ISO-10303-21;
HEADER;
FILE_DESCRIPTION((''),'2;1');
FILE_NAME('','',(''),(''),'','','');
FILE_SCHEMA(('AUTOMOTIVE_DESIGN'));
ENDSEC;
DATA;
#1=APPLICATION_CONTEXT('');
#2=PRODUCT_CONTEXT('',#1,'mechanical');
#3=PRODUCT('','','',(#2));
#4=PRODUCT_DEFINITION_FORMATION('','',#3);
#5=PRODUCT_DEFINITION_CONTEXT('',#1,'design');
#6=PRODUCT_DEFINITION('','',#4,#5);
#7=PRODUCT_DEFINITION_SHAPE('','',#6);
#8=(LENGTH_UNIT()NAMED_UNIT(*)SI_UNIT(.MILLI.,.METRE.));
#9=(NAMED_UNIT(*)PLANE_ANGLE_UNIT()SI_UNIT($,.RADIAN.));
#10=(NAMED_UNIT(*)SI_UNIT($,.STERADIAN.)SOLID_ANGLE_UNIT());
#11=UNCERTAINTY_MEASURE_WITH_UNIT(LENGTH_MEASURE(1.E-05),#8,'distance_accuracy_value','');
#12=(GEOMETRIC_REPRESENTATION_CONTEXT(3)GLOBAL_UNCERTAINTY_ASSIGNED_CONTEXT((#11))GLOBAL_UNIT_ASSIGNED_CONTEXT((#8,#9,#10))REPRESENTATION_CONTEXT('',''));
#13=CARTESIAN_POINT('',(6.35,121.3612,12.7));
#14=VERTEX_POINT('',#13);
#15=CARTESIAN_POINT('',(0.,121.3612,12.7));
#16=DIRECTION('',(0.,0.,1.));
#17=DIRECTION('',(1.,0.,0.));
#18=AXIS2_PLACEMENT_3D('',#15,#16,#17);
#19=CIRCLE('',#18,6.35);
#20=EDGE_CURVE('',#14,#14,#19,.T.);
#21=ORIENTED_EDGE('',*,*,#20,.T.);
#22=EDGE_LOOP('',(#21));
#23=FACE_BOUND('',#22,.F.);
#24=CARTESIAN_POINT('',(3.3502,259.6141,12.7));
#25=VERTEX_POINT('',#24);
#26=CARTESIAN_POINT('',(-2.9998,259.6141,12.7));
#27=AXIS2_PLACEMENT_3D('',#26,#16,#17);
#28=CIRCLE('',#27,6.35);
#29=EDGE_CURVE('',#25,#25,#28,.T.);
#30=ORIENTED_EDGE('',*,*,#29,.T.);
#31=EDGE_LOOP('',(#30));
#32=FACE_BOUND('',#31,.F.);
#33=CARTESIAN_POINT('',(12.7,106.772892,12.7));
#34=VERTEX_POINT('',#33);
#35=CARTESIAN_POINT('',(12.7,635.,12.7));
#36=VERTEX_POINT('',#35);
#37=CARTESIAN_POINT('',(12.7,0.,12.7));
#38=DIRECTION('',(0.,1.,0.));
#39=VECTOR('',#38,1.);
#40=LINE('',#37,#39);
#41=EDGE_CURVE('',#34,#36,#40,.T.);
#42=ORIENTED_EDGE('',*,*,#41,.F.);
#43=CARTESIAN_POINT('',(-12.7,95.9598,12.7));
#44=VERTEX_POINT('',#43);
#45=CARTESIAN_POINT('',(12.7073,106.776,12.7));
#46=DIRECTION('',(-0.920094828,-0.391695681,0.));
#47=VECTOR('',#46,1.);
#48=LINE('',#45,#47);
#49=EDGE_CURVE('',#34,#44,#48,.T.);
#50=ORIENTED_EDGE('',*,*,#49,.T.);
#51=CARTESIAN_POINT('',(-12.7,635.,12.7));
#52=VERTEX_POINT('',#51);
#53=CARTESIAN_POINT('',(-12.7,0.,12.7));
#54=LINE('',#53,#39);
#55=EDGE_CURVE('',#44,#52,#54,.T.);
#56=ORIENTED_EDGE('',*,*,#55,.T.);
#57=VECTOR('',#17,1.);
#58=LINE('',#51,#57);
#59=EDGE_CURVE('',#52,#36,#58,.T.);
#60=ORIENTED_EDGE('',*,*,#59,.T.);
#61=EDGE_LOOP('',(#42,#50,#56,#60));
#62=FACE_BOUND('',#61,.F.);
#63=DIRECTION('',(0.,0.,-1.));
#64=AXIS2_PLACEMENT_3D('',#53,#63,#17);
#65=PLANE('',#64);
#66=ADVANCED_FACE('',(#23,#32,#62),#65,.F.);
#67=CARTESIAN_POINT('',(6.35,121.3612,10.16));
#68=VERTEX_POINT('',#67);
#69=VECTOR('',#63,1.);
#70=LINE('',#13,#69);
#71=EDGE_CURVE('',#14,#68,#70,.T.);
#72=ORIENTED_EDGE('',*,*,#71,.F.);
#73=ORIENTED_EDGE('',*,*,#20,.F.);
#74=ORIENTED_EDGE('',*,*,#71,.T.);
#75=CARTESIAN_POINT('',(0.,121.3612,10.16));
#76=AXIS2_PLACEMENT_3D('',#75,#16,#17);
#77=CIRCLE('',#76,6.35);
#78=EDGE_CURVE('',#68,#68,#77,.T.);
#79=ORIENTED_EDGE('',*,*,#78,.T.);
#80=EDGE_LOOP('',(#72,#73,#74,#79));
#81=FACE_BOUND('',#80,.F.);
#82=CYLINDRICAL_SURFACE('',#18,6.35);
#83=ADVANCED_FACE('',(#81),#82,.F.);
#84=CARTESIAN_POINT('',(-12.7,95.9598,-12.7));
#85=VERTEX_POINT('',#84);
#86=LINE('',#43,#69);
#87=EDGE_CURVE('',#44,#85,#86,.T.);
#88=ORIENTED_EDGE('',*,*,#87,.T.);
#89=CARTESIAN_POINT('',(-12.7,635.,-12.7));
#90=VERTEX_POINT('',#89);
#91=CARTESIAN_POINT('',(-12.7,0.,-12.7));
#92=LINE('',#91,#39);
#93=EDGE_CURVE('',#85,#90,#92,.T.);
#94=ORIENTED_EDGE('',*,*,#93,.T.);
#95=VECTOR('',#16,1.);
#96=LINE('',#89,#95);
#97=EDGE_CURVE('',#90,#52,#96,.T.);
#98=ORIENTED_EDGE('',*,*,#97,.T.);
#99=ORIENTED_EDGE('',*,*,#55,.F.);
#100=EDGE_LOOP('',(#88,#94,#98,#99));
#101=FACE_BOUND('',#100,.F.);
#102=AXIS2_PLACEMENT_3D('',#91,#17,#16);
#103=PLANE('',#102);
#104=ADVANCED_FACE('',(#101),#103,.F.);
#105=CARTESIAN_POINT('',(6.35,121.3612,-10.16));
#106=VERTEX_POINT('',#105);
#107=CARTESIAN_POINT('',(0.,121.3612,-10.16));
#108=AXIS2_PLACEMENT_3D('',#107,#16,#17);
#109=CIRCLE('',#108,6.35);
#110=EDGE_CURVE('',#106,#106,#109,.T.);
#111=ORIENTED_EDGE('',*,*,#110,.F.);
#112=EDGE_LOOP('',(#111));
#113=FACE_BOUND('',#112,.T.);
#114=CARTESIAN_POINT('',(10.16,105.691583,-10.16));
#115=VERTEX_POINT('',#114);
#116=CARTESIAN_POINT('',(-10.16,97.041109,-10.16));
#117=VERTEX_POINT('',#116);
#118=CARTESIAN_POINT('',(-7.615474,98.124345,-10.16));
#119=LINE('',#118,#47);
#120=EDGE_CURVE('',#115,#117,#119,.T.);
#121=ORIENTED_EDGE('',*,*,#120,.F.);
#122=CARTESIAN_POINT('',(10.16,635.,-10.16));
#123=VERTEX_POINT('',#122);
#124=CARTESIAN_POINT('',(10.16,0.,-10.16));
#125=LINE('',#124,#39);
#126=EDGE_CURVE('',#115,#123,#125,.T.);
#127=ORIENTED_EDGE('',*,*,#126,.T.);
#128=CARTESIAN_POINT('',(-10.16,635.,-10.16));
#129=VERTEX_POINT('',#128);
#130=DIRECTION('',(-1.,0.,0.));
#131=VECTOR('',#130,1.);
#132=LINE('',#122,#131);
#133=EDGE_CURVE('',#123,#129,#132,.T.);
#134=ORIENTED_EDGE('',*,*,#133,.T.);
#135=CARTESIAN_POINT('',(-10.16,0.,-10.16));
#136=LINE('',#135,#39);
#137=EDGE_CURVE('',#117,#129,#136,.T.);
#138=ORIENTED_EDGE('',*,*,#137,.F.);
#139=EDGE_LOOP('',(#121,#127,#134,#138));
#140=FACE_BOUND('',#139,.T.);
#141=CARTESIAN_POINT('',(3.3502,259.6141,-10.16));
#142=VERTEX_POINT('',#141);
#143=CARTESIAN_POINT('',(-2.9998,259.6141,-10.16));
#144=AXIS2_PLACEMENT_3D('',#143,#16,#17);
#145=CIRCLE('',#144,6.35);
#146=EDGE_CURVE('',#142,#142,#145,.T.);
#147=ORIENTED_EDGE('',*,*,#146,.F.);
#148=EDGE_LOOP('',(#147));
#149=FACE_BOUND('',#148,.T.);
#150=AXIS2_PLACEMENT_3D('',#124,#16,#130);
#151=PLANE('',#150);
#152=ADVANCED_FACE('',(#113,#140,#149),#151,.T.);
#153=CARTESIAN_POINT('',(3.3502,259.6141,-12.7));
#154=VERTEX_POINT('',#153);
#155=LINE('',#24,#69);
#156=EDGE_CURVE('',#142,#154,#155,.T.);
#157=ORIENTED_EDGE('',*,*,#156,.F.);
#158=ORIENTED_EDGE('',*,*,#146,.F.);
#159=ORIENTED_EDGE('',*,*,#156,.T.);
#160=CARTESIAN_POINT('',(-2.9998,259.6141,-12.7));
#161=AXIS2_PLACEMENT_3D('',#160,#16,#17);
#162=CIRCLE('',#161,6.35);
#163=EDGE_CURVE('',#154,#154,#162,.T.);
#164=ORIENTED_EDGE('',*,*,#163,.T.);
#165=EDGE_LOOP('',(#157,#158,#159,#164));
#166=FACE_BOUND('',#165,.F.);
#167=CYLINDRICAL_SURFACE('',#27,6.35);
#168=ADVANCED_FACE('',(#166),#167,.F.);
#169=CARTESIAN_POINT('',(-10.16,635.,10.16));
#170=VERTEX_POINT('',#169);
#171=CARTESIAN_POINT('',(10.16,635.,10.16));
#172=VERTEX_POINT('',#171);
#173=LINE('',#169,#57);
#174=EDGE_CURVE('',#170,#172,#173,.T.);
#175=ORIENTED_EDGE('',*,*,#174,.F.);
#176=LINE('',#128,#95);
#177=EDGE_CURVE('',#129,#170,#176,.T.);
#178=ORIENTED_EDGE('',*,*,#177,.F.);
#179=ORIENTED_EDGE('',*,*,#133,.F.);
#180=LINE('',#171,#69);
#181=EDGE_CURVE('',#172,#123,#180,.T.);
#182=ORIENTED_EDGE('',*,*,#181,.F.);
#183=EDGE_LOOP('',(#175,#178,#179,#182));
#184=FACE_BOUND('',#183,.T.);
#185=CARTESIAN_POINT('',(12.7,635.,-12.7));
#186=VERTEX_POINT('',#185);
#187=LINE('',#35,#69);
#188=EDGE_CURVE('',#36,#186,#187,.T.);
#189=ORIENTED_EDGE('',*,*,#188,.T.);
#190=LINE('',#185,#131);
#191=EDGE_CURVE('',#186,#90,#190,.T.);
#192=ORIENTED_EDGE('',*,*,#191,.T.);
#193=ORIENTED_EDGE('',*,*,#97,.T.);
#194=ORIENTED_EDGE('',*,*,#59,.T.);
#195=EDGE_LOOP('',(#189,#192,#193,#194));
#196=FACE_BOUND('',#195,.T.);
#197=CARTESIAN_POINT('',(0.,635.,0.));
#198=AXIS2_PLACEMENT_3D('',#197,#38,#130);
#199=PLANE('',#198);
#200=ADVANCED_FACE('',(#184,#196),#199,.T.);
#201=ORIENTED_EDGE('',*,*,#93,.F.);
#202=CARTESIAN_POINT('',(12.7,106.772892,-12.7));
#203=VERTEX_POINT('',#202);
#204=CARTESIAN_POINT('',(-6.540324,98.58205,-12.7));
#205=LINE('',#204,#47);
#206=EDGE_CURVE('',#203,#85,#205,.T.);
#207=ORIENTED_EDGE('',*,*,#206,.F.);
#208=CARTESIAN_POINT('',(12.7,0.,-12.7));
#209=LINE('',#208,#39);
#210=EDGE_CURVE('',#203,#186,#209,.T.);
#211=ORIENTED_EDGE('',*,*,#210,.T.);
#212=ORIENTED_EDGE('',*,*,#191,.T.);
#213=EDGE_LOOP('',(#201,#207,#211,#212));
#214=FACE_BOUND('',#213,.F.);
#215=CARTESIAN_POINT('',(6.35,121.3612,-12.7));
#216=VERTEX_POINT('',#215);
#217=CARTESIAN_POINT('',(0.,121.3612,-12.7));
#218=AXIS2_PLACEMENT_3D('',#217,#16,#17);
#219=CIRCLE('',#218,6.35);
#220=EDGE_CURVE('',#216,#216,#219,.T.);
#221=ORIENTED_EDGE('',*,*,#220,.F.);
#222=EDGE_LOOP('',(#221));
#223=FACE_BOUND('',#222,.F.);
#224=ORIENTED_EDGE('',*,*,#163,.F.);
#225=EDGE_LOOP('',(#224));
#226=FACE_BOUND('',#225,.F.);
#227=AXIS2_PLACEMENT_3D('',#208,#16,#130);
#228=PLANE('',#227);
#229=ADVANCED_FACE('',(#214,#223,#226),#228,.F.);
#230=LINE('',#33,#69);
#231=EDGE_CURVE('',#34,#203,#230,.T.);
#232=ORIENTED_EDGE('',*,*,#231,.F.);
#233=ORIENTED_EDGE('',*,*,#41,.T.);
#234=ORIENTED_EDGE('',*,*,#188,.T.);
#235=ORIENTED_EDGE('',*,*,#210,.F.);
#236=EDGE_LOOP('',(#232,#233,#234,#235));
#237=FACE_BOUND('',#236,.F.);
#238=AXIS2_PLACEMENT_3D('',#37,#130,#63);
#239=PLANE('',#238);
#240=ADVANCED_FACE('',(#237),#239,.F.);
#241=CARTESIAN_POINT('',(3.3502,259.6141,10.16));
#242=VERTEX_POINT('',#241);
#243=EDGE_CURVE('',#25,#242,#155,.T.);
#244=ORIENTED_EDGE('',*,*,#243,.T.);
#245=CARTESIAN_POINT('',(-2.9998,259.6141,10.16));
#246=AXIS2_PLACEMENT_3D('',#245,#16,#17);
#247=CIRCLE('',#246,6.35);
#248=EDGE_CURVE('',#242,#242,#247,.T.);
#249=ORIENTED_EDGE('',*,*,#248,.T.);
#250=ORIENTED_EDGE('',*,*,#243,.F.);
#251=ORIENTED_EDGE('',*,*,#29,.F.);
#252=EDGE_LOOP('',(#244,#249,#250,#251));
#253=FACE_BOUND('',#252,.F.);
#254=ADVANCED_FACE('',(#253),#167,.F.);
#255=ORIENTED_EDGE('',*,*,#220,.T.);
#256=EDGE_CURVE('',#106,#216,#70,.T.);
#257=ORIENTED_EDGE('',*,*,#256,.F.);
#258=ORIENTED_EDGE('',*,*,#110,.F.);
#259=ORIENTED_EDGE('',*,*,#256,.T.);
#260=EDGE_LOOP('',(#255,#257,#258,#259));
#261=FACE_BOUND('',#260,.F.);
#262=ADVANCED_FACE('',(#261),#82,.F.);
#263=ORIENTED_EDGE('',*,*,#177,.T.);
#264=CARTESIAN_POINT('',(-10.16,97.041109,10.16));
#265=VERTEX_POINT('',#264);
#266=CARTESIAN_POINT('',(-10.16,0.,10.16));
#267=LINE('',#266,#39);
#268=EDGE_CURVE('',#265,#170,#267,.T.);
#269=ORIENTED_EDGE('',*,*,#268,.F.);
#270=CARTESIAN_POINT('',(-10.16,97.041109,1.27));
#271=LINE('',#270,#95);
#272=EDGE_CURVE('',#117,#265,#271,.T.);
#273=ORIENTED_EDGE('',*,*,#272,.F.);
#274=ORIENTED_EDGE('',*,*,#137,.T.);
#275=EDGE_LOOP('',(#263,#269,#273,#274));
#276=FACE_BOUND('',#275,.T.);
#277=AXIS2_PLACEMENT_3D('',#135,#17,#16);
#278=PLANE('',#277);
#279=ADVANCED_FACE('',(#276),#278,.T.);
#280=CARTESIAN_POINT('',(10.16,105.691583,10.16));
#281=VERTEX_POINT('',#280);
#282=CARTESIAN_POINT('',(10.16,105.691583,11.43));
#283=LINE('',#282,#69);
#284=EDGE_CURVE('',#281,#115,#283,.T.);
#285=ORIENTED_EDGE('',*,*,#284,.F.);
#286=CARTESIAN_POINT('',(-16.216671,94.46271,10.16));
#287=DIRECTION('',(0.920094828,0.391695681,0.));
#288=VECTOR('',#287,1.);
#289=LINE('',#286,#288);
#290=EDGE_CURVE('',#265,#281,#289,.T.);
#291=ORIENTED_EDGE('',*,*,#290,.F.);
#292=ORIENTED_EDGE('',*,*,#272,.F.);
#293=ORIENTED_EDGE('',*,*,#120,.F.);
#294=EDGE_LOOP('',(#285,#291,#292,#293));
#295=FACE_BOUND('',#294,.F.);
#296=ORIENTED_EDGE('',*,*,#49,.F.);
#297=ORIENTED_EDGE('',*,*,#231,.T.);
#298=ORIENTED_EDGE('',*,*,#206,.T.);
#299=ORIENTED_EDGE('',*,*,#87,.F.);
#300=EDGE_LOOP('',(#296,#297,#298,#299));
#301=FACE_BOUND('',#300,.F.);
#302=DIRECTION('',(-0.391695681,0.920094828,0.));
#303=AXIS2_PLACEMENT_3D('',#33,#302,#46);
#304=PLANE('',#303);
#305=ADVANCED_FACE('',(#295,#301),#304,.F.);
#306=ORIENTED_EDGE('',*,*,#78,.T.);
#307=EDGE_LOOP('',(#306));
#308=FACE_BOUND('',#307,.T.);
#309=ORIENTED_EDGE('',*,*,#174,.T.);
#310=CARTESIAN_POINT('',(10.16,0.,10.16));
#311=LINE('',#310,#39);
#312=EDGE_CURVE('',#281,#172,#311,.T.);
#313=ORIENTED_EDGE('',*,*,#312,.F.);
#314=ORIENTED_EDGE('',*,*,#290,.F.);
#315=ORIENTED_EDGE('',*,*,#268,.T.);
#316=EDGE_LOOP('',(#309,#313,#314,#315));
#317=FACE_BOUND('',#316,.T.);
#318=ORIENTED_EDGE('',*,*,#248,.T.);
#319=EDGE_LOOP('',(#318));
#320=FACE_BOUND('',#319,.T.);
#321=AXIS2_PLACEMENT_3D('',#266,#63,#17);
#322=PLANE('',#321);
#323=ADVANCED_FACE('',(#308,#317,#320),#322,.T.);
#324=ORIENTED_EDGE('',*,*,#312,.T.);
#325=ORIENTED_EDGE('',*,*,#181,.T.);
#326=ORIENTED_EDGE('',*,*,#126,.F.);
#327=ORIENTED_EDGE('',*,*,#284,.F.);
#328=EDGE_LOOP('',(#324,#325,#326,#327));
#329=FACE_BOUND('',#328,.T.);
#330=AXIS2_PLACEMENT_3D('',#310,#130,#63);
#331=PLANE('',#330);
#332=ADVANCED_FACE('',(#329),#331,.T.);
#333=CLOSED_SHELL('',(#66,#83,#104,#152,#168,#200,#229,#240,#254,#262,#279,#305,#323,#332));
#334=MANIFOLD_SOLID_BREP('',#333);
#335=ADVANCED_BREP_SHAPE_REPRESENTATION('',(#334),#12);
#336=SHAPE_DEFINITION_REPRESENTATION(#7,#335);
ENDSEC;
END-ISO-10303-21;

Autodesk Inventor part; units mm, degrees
ref_plane "YZ Plane" through (0, 0, 0) normal (1, 0, 0) x (0, 1, 0)
ref_plane "XZ Plane" through (0, 0, 0) normal (0, 1, 0) x (-1, 0, 0)
ref_plane "XY Plane" through (0, 0, 0) normal (0, 0, 1) x (1, 0, 0)
sketch "Sketch1" plane through (0, 0, 0) normal (0, 1, 0) x (-1, 0, 0)
  line L0 (12.7, 12.7) -> (-12.7, 12.7)
  line L1 (-12.7, 12.7) -> (-12.7, -12.7)
  line L2 (-12.7, -12.7) -> (12.7, -12.7)
  line L3 (12.7, -12.7) -> (12.7, 12.7)
  line L4 (12.7, 12.7) -> (-12.7, -12.7) construction
  line L5 (-12.7, 12.7) -> (12.7, -12.7) construction
  line L6 (10.16, 10.16) -> (-10.16, 10.16)
  line L7 (-10.16, 10.16) -> (-10.16, -10.16)
  line L8 (-10.16, -10.16) -> (10.16, -10.16)
  line L9 (10.16, -10.16) -> (10.16, 10.16)
  point P0 (0, 0)
  dimension "d0" = 25.4
  dimension "d1" = 25.4
  dimension "d2" = 2.54
extrude "Extrusion1" add sketch "Sketch1" along normal blind 635
sketch "Sketch2" plane through (-12.7, 0, 12.7) normal (0, 0, 1) x (1, 0, 0)
  line L0 (-200.1642, 538.812) -> (-221.8597, 525.6033) construction
  line L1 (-221.8597, 525.6033) -> (42.3138, 91.695) construction
  line L2 (64.0092, 104.9037) -> (42.3138, 91.695) construction
  line L3 (-200.1642, 538.812) -> (64.0092, 104.9037) construction
  line L4 (0, 0) -> (25.4, 0) construction
  line L5 (25.4, 0) -> (25.4, 635)
  line L6 (0, 635) -> (25.4, 635) construction
  line L7 (0, 0) -> (0, 635) construction
  line L8 (-200.1642, 538.812) -> (-221.8597, 525.6033) construction
  line L9 (-221.8597, 525.6033) -> (42.3138, 91.695) construction
  line L10 (64.0092, 104.9037) -> (42.3138, 91.695) construction
  line L11 (-200.1642, 538.812) -> (64.0092, 104.9037) construction
  line L12 (25.4, 0) -> (25.4, 635) construction
  line L13 (0, 0) -> (0, 635) construction
  line L14 (0, 95.9598) -> (0, 0) construction
  line L15 (0, 0) -> (25.4, 0) construction
  line L16 (25.4, 0) -> (25.4, 106.7696) construction
  line L17 (22.86, 0) -> (22.86, 635) construction
  line L18 (25.4, 0) -> (25.4, 635) construction
  line L19 (25.4073, 106.776) -> (0, 95.9598)
  line L20 (0, 0) -> (0, 95.9598)
  line L21 (2.54, 0) -> (2.54, 635) projected
  line L22 (0, 0) -> (25.4, 0)
  line L23 (25.4, 0) -> (25.4073, 106.776)
  line L24 (25.4, 0) -> (25.4073, 0.0057)
  line L25 (25.4073, 0.0057) -> (25.4073, 106.776)
  circle A0 centre (46.5571, 109.1471) radius 6.35 projected
  circle A1 centre (46.5571, 109.1471) radius 6.35 projected
  point P0 (12.7, 0)
extrude "Extrusion2" cut sketch "Sketch2" against normal blind 128.5875 contours L22 L21 L19 L5 | L5 L19 L23 | L23 L25 L24 | L22 L20 L19 L21
sketch "Sketch4" plane through (-12.7, 635, 12.7) normal (0, 0, 1) x (1, 0, 0)
  circle A0 centre (46.5571, -525.8529) radius 6.35 projected
  point P0 (12.7, -635)
extrude "Extrusion3" cut sketch "Sketch4" against normal blind 128.5875
sketch "Sketch5" plane through (-12.7, 635, 12.7) normal (0, 0, 1) x (1, 0, 0)
  circle A0 centre (9.7002, -375.3859) radius 6.35 projected
  point P0 (12.7, -635)
extrude "Extrusion4" cut sketch "Sketch5" against normal through all
sketch "Sketch6" plane through (-12.7, 635, 12.7) normal (0, 0, 1) x (1, 0, 0)
  circle A0 centre (12.7, -513.6388) radius 6.35
  point P0 (12.7, -635)
  dimension "d11" = 12.7
extrude "Extrusion5" cut sketch "Sketch6" against normal through all
equation "\"BendRadius\" = Thickness"
equation "\"BendReliefWidth\" = Thickness"
equation "\"BendReliefDepth\" = 0.5 * Thickness"
equation "\"CornerReliefSize\" = 4 * Thickness"
equation "\"MinimumRemnant\" = 2 * Thickness"
equation "\"TransitionRadius\" = BendRadius"
equation "\"JacobiRadiusSize\" = BendRadius"
equation "\"GapSize\" = Thickness"
equation "\"Thickness\" = 3.048"
properties part number "conveyer frame" material "Aluminum 6061"
